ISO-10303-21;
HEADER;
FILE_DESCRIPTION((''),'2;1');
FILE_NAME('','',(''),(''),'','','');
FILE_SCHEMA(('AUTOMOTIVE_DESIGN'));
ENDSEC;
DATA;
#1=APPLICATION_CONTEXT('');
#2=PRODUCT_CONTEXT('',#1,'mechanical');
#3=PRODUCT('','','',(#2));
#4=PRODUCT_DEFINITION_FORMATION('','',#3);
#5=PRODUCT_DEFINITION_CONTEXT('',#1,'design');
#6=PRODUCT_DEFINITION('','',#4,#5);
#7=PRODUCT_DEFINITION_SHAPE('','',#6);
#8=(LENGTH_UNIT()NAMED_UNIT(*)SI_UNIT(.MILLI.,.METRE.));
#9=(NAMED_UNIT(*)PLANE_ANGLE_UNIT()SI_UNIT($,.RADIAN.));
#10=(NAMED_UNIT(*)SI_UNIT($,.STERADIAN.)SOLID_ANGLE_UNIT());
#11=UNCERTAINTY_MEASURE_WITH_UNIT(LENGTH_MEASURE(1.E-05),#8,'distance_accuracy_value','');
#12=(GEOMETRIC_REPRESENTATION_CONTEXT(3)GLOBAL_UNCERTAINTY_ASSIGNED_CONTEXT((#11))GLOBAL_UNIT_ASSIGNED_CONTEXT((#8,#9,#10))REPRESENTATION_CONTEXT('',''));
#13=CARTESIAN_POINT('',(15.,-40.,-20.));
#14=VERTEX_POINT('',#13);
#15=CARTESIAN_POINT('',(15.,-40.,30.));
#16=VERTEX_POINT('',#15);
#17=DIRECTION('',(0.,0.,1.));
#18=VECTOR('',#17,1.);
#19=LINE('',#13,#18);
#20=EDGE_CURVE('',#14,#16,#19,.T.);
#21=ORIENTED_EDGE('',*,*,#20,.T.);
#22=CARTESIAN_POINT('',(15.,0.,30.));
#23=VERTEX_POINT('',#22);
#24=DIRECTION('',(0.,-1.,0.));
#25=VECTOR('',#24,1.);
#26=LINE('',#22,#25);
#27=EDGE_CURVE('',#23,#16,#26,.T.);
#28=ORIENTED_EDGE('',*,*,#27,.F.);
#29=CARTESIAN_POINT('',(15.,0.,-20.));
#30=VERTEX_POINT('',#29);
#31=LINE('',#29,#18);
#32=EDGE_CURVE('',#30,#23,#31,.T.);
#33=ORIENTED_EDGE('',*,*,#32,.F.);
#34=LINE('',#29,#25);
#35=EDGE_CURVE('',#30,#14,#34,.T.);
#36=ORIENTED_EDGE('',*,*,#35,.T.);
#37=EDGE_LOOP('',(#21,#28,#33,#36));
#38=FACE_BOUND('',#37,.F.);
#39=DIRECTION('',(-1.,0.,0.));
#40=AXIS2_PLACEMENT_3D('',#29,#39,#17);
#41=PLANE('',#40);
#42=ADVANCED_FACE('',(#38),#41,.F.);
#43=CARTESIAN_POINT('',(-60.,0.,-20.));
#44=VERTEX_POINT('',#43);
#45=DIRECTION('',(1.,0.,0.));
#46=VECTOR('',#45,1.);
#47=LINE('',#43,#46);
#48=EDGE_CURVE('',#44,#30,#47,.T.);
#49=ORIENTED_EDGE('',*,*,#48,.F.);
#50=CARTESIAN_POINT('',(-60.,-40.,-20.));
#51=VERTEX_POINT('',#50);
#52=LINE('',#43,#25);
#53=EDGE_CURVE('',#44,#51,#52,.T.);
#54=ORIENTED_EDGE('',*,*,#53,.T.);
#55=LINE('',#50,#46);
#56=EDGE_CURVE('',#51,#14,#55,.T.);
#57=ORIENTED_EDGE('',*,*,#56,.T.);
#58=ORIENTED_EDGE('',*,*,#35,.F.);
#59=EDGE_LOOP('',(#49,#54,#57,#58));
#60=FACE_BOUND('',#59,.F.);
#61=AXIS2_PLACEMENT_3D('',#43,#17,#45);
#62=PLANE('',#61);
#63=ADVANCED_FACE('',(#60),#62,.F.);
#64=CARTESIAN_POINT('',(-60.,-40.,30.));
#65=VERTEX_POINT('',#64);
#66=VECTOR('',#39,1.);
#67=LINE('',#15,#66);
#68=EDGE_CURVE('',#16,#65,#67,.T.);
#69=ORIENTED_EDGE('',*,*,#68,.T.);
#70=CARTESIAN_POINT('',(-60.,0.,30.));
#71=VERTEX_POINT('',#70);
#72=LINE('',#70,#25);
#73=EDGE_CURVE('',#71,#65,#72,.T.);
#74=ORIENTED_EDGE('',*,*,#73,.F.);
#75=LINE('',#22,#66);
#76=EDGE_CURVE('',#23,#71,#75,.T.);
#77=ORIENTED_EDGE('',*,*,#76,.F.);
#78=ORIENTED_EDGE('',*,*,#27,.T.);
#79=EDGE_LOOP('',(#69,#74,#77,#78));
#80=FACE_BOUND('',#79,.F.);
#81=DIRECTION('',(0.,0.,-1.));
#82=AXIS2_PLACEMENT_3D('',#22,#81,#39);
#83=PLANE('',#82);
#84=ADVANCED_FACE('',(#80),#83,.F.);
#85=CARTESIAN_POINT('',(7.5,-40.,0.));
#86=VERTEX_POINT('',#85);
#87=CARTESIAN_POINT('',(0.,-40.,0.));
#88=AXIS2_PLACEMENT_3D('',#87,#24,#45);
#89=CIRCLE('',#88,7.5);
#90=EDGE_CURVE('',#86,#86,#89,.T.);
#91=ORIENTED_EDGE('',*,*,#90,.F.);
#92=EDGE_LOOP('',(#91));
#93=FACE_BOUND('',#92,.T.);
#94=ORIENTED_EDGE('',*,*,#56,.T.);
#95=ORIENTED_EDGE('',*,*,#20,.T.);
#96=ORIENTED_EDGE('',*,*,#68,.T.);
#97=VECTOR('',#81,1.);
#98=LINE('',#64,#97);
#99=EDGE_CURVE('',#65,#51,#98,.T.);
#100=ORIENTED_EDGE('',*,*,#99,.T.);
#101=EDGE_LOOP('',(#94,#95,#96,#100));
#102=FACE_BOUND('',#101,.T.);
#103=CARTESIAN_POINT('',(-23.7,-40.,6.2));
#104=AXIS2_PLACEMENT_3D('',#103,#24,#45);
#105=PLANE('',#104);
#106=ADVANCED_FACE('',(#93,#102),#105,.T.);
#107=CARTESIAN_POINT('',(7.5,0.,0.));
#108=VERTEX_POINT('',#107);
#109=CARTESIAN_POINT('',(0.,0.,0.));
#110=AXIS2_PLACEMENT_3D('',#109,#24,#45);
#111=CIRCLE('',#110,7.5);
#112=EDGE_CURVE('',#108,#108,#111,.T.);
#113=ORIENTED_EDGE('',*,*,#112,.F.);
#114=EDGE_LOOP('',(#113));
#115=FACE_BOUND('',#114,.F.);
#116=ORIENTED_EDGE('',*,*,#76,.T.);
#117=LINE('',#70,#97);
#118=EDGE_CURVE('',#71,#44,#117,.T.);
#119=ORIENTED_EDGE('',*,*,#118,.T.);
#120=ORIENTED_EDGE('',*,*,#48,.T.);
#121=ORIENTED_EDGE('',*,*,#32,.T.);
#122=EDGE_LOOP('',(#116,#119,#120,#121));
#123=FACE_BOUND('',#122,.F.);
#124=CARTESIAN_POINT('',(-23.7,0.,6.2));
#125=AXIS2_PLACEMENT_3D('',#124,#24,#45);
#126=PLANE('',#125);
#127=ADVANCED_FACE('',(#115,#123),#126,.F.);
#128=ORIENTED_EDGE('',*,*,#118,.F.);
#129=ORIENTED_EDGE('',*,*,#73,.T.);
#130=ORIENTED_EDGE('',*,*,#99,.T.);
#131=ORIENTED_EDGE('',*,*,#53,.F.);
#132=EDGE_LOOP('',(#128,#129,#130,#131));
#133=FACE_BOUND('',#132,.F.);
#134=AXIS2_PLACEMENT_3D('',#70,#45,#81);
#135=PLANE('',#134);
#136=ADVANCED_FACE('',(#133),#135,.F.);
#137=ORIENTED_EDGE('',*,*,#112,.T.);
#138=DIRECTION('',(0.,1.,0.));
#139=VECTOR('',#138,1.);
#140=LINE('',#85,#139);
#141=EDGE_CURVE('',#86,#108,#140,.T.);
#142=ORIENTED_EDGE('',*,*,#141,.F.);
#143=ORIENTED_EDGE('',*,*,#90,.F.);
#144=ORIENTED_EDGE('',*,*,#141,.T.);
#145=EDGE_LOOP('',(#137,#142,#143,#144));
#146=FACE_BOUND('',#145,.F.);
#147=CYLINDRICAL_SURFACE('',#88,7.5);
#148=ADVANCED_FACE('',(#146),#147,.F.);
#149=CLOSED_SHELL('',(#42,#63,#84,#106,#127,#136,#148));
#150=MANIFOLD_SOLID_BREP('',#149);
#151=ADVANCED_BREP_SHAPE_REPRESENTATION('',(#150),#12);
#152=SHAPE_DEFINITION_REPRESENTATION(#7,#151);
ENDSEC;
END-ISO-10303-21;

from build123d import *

# Parameters (mm, degrees)
F0_W     = 15
F0_H     = 20
F1_DEPTH = 40
F2_R     = 7.5
F3_DEPTH = 40


with BuildPart() as f1:
    # F0 (on Front) → F1 (new body)
    with BuildSketch(Plane.XZ):
        Polygon((0, -20), (0, 0), (15, 0), (15, 30), (-60, 30), (-60, -20), align=None)
        with Locations((7.5, -10)):
            Rectangle(F0_W, F0_H)
    extrude(amount=F1_DEPTH)

    # F2 (on face) → F3 (cut, through all)
    with BuildSketch(Plane.XZ.offset(40)):
        Circle(F2_R)
    extrude(amount=-F3_DEPTH, mode=Mode.SUBTRACT)


solid = f1.part
